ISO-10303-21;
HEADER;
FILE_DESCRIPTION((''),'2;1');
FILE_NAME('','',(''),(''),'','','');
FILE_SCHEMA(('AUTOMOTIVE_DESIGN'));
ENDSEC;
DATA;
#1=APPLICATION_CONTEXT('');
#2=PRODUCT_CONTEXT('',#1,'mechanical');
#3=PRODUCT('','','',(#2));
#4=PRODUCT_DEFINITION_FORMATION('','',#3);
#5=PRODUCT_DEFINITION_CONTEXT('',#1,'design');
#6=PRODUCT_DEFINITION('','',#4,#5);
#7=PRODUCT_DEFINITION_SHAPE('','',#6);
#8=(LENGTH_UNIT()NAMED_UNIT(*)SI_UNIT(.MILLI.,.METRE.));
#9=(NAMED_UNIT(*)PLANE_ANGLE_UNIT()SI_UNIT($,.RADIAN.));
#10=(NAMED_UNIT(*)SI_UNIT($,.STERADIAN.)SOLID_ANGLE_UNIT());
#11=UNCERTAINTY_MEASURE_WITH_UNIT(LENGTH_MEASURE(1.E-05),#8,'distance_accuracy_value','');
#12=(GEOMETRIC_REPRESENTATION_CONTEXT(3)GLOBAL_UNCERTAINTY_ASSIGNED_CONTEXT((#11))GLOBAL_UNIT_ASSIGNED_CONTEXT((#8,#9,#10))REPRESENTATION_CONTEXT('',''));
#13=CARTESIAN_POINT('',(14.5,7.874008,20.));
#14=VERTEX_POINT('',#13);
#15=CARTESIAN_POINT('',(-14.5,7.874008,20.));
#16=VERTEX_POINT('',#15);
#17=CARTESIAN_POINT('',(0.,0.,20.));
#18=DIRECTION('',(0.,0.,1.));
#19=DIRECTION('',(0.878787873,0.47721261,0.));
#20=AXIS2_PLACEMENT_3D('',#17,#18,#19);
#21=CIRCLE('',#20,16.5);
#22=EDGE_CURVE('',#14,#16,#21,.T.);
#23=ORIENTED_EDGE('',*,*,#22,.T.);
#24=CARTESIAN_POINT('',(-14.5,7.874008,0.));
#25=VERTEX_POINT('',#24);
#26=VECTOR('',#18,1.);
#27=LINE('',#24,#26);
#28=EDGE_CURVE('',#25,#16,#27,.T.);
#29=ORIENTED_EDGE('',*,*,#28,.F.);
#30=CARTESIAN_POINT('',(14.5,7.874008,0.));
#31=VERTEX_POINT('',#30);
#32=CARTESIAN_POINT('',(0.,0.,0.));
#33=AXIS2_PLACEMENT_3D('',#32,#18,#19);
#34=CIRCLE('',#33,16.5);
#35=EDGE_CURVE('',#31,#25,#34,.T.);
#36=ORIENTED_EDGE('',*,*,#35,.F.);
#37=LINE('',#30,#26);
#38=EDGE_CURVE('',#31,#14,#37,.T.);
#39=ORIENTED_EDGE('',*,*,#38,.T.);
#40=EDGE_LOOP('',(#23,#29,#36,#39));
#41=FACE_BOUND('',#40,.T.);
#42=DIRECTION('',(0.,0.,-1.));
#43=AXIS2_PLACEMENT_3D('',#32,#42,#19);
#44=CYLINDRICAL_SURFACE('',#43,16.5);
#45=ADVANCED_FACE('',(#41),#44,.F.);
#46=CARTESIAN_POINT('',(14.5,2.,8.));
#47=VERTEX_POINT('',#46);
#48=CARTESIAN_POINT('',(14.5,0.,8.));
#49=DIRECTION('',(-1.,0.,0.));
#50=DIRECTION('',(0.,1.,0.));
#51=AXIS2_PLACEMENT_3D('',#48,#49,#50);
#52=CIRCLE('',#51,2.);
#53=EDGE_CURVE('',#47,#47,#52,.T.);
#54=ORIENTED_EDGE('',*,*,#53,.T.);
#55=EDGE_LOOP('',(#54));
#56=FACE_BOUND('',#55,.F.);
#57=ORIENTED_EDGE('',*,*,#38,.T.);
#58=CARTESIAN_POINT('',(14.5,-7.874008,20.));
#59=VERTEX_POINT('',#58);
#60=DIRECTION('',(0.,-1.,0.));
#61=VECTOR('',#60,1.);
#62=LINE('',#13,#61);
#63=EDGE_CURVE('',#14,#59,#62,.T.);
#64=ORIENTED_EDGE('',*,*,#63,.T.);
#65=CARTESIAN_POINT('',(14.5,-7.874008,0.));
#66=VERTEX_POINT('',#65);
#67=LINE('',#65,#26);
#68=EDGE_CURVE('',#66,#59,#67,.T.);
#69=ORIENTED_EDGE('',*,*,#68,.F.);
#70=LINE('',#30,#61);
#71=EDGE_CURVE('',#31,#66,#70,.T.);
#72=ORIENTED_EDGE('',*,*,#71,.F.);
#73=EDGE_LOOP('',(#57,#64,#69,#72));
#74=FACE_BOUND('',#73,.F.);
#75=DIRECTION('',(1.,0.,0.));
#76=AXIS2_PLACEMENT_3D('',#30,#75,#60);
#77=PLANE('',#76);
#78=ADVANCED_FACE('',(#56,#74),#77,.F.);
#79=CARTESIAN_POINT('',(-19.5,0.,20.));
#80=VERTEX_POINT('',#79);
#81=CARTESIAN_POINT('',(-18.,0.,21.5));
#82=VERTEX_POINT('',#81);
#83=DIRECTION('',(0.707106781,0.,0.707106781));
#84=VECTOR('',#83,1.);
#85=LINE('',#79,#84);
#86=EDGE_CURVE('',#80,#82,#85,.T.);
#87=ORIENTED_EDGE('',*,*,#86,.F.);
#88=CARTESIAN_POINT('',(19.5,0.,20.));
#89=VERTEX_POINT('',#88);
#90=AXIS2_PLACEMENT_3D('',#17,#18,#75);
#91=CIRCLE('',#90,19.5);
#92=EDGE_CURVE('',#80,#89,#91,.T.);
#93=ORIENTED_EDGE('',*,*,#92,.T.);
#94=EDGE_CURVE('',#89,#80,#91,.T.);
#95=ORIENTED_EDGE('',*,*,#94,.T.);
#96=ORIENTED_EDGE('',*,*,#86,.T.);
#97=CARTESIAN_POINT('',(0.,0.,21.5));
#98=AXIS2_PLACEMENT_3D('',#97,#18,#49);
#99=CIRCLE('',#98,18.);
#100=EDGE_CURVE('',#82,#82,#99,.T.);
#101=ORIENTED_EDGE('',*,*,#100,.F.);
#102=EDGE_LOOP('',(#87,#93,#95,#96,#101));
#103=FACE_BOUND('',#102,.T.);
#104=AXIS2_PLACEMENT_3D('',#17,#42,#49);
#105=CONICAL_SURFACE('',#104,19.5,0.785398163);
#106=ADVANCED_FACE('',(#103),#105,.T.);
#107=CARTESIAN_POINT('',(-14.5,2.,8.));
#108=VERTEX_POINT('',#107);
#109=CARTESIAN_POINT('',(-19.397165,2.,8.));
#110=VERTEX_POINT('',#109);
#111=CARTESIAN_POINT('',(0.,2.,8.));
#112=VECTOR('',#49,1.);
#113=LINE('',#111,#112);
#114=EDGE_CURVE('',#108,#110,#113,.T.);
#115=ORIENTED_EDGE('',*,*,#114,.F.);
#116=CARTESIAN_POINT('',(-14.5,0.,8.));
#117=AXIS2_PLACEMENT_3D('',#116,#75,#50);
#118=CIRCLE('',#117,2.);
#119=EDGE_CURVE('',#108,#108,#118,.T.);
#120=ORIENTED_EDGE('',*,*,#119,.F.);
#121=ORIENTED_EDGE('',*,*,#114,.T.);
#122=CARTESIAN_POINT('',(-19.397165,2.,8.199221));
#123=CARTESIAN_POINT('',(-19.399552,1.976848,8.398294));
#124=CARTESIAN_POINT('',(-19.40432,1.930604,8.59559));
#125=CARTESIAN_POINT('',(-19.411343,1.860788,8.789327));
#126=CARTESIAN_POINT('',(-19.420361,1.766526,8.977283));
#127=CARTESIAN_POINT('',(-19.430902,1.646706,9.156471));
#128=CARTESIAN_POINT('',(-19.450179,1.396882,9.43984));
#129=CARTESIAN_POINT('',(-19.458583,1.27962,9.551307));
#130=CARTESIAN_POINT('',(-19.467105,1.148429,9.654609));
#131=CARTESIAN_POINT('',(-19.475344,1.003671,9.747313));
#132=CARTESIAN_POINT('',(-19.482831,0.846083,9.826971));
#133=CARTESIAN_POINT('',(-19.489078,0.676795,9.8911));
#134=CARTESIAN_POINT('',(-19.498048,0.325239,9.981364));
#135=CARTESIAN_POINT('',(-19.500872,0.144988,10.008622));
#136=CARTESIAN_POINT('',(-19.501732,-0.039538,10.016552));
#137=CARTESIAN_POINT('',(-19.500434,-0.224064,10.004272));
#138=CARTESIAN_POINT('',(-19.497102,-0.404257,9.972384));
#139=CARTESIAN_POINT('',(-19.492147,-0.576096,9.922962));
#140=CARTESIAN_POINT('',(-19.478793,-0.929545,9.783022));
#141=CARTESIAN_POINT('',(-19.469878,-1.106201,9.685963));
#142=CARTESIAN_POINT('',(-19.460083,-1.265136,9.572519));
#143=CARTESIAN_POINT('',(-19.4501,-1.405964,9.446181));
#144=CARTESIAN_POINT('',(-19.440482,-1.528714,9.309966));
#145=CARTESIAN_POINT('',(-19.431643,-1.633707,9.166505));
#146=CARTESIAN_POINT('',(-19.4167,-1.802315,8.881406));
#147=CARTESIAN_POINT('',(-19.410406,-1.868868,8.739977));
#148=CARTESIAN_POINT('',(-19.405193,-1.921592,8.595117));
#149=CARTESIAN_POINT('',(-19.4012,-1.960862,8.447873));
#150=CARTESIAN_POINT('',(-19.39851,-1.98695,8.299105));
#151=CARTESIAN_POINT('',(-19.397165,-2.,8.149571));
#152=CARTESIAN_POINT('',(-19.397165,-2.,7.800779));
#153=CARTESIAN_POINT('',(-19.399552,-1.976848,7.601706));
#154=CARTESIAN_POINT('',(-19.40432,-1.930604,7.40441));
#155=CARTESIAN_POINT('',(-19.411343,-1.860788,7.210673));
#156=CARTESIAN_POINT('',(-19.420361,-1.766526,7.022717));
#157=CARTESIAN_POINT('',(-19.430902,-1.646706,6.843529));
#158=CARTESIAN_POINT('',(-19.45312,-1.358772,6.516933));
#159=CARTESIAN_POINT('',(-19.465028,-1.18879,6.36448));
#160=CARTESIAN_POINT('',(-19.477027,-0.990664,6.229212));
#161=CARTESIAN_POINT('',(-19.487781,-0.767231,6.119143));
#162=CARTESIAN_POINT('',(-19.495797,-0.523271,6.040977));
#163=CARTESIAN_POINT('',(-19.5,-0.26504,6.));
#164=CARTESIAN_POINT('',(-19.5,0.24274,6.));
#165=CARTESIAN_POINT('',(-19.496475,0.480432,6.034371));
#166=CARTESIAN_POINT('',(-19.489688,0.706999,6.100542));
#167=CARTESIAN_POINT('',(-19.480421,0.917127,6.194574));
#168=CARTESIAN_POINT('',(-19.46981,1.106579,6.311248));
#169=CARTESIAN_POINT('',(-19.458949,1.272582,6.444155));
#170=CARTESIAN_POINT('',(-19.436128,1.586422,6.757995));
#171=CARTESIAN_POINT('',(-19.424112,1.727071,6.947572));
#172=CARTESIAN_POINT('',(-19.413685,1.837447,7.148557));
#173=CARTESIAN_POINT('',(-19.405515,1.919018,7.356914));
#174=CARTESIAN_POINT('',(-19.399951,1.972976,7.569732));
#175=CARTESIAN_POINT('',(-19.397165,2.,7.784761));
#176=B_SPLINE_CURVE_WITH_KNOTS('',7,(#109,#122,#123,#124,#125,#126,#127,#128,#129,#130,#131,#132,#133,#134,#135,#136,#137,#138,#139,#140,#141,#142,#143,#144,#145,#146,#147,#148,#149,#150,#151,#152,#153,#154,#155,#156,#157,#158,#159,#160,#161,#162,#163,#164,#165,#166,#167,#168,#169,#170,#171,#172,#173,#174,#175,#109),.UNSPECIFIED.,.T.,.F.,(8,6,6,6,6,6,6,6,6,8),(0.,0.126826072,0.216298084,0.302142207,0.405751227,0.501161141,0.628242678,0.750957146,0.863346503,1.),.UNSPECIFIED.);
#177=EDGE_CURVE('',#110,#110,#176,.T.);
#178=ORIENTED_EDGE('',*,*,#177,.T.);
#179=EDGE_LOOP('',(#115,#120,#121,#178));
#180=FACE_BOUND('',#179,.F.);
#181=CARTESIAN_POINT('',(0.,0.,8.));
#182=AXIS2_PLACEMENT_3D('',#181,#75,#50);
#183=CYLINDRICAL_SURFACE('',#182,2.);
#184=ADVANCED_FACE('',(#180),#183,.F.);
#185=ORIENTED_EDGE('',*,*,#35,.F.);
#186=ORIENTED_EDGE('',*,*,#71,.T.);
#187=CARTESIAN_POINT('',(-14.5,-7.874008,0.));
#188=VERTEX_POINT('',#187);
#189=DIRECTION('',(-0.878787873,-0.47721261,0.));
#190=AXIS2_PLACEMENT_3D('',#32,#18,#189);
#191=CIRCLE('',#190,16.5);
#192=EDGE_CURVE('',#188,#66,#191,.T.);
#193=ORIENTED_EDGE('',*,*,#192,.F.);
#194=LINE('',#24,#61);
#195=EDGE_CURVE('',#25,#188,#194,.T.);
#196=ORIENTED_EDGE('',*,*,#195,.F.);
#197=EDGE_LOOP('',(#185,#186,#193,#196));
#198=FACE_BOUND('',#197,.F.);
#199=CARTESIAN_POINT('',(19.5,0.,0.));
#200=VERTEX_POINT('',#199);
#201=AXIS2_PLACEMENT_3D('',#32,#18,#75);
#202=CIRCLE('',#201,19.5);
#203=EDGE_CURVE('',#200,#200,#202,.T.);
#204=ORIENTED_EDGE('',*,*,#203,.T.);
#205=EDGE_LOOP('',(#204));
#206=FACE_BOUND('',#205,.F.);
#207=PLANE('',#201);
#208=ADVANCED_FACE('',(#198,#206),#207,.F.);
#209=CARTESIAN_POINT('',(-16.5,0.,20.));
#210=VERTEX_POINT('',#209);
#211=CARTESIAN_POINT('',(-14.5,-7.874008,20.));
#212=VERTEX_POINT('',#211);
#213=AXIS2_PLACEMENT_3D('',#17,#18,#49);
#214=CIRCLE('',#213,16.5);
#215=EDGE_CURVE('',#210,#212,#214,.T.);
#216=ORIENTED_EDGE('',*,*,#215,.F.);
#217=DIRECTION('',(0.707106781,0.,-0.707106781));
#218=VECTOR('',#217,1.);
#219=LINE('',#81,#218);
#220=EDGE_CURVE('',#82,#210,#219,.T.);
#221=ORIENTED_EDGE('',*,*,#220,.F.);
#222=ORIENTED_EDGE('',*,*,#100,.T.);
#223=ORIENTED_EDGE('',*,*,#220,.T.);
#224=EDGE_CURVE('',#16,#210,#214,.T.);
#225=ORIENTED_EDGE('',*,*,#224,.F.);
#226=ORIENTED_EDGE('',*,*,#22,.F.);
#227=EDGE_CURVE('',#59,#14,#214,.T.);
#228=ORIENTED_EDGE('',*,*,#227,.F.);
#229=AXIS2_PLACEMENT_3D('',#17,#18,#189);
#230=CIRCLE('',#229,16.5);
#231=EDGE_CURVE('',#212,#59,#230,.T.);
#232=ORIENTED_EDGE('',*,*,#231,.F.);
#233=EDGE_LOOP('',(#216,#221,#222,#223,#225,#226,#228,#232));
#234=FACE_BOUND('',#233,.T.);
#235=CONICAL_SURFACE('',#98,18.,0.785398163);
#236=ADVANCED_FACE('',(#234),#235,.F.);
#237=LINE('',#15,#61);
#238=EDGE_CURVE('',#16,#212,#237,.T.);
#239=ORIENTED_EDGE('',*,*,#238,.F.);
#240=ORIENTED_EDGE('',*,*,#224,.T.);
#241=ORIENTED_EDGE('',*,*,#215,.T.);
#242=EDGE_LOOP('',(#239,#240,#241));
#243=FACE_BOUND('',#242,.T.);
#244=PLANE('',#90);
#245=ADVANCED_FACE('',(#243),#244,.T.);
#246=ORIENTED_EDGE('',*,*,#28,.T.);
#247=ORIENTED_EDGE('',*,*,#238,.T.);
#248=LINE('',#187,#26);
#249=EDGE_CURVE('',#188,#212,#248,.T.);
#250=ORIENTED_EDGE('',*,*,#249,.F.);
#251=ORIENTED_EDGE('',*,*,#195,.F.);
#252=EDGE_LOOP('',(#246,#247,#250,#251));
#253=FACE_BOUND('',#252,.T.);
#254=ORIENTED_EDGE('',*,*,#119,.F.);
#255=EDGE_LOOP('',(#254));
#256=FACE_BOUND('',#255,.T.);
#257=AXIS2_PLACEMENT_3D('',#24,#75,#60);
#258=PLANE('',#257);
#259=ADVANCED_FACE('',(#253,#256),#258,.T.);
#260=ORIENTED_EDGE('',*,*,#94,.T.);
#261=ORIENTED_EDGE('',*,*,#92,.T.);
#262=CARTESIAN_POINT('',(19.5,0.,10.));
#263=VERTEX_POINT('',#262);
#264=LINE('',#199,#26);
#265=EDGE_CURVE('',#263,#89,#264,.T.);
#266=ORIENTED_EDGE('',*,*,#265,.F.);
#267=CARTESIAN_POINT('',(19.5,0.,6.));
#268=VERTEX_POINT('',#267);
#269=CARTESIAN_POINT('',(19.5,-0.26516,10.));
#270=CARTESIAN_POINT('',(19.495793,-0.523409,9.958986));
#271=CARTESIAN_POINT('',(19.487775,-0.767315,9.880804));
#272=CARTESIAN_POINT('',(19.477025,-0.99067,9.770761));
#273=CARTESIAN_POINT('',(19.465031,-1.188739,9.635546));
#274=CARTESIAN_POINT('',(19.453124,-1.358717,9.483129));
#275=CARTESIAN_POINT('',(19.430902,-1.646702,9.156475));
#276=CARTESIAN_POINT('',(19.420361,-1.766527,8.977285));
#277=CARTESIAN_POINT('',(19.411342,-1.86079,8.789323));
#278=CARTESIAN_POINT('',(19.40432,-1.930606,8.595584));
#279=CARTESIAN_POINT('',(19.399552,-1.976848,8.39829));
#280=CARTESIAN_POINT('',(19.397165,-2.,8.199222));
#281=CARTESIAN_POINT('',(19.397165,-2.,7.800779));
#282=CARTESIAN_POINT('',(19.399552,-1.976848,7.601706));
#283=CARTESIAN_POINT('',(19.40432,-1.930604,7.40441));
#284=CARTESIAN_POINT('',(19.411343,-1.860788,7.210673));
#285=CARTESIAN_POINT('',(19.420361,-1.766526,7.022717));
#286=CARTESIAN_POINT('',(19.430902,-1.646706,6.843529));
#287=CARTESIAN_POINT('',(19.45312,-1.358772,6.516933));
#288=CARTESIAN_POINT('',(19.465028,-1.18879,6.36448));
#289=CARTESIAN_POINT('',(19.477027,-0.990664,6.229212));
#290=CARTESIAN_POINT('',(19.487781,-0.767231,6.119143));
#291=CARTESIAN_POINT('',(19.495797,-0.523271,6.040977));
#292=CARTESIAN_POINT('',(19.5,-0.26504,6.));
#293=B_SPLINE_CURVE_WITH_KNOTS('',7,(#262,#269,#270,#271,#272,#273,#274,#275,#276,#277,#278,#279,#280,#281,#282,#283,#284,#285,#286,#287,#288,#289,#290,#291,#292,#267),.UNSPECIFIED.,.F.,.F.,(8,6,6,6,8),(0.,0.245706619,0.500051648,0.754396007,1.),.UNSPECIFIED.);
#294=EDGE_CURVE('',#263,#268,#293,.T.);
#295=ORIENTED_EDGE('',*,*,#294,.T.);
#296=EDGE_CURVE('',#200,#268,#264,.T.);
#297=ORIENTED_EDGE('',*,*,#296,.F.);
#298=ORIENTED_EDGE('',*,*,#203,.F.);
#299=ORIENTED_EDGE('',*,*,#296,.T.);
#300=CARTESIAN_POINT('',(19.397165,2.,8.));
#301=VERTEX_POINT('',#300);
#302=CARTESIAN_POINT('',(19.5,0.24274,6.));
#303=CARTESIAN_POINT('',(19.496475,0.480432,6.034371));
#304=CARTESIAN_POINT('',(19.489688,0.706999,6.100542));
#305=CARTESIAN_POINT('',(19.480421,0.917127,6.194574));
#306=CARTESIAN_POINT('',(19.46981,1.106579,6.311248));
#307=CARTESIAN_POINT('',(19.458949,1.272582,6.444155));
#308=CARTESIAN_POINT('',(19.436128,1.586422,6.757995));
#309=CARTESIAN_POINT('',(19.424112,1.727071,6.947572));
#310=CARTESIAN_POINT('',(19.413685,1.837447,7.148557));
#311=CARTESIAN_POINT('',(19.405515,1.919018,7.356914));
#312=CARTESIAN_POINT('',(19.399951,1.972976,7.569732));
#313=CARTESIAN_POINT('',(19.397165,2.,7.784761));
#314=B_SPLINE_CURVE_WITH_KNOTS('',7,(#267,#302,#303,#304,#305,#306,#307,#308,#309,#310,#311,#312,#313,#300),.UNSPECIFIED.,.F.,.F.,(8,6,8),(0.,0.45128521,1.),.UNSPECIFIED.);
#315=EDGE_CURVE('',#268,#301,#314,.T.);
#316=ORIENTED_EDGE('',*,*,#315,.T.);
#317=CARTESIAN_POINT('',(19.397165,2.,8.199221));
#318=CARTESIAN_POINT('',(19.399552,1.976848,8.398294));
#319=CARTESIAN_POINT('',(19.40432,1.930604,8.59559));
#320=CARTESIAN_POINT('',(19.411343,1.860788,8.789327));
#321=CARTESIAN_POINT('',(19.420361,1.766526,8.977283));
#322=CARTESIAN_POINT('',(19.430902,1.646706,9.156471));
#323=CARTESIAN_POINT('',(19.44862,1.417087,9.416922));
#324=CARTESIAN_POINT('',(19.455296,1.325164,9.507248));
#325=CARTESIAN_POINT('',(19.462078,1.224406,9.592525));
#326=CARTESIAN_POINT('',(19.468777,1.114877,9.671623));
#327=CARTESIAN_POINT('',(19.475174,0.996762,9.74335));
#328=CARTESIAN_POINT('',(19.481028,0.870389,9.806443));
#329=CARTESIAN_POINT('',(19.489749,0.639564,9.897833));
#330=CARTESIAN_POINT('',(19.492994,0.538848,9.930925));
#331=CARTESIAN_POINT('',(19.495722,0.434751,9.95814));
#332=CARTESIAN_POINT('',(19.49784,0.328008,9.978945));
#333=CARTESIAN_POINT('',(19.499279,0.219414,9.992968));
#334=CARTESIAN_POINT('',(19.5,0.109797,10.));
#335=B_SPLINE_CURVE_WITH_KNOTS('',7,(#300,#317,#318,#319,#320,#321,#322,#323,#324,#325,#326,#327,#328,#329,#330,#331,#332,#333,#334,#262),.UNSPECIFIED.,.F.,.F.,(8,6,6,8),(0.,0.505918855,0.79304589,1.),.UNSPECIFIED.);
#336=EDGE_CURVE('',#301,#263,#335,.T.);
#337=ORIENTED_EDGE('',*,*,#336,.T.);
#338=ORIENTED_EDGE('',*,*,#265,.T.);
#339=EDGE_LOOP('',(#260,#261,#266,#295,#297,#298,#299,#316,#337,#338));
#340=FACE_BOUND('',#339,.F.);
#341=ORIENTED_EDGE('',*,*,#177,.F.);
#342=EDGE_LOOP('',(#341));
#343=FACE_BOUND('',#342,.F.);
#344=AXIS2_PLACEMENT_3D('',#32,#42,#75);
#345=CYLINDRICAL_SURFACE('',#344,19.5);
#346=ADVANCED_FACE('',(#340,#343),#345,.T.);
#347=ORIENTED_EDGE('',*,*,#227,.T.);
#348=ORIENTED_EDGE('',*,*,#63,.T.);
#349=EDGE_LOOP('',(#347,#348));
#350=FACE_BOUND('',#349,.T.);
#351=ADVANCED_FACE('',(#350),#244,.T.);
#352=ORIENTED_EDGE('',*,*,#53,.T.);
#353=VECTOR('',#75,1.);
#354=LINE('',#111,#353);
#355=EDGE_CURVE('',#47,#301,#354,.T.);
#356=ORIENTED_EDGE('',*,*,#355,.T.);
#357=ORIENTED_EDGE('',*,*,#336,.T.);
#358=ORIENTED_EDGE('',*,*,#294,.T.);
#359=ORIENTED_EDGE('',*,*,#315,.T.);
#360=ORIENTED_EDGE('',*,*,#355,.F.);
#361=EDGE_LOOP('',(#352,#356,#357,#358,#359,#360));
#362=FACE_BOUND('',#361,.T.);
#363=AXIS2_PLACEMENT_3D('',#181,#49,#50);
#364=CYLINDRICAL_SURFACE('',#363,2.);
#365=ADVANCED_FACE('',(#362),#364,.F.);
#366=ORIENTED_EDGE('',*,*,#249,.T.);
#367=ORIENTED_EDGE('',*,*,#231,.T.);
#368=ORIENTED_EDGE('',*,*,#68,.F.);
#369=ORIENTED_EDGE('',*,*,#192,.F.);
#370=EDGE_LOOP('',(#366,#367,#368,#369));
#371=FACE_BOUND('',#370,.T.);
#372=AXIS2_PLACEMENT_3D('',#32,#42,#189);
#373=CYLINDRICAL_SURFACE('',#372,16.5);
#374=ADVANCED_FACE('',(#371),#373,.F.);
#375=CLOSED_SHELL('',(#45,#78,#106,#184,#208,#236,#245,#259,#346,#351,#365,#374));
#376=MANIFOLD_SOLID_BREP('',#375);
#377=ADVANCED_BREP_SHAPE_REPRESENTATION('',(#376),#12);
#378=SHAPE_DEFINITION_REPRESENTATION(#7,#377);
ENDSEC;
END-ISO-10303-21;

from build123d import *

# Parameters (mm, degrees)
SKETCH_R          = 19.5
PAD_DEPTH         = 20
SKETCH002_R       = 2
POCKET_DEPTH      = 21
POCKET_DEPTH_BACK = -21


with BuildPart() as part:
    # Sketch → Pad (new body)
    with BuildSketch(Plane.XY):
        Circle(SKETCH_R)
        with BuildLine():
            ThreePointArc((14.5, 7.874008), (0, 16.5), (-14.5, 7.874008))
            Line((-14.5, 7.874008), (-14.5, -7.874008))
            ThreePointArc((-14.5, -7.874008), (0, -16.5), (14.5, -7.874008))
            Line((14.5, 7.874008), (14.5, -7.874008))
        make_face(mode=Mode.SUBTRACT)
    extrude(amount=PAD_DEPTH)

    # Sketch001 → Revolution (revolve)
    with BuildSketch(Plane.XZ):
        Polygon((-19.5, 20), (-18, 21.5), (-16.5, 20), align=None)
    revolve(axis=Axis((0, 0, 0), (0, 0, 1)))

    # Sketch002 → Pocket (cut, two sides)
    with BuildSketch(Plane.YZ) as pocket_sk:
        with Locations((0, 8)):
            Circle(SKETCH002_R)
    extrude(amount=-POCKET_DEPTH, mode=Mode.SUBTRACT)
    extrude(pocket_sk.sketch, amount=-POCKET_DEPTH_BACK, mode=Mode.SUBTRACT)


solid = part.part
